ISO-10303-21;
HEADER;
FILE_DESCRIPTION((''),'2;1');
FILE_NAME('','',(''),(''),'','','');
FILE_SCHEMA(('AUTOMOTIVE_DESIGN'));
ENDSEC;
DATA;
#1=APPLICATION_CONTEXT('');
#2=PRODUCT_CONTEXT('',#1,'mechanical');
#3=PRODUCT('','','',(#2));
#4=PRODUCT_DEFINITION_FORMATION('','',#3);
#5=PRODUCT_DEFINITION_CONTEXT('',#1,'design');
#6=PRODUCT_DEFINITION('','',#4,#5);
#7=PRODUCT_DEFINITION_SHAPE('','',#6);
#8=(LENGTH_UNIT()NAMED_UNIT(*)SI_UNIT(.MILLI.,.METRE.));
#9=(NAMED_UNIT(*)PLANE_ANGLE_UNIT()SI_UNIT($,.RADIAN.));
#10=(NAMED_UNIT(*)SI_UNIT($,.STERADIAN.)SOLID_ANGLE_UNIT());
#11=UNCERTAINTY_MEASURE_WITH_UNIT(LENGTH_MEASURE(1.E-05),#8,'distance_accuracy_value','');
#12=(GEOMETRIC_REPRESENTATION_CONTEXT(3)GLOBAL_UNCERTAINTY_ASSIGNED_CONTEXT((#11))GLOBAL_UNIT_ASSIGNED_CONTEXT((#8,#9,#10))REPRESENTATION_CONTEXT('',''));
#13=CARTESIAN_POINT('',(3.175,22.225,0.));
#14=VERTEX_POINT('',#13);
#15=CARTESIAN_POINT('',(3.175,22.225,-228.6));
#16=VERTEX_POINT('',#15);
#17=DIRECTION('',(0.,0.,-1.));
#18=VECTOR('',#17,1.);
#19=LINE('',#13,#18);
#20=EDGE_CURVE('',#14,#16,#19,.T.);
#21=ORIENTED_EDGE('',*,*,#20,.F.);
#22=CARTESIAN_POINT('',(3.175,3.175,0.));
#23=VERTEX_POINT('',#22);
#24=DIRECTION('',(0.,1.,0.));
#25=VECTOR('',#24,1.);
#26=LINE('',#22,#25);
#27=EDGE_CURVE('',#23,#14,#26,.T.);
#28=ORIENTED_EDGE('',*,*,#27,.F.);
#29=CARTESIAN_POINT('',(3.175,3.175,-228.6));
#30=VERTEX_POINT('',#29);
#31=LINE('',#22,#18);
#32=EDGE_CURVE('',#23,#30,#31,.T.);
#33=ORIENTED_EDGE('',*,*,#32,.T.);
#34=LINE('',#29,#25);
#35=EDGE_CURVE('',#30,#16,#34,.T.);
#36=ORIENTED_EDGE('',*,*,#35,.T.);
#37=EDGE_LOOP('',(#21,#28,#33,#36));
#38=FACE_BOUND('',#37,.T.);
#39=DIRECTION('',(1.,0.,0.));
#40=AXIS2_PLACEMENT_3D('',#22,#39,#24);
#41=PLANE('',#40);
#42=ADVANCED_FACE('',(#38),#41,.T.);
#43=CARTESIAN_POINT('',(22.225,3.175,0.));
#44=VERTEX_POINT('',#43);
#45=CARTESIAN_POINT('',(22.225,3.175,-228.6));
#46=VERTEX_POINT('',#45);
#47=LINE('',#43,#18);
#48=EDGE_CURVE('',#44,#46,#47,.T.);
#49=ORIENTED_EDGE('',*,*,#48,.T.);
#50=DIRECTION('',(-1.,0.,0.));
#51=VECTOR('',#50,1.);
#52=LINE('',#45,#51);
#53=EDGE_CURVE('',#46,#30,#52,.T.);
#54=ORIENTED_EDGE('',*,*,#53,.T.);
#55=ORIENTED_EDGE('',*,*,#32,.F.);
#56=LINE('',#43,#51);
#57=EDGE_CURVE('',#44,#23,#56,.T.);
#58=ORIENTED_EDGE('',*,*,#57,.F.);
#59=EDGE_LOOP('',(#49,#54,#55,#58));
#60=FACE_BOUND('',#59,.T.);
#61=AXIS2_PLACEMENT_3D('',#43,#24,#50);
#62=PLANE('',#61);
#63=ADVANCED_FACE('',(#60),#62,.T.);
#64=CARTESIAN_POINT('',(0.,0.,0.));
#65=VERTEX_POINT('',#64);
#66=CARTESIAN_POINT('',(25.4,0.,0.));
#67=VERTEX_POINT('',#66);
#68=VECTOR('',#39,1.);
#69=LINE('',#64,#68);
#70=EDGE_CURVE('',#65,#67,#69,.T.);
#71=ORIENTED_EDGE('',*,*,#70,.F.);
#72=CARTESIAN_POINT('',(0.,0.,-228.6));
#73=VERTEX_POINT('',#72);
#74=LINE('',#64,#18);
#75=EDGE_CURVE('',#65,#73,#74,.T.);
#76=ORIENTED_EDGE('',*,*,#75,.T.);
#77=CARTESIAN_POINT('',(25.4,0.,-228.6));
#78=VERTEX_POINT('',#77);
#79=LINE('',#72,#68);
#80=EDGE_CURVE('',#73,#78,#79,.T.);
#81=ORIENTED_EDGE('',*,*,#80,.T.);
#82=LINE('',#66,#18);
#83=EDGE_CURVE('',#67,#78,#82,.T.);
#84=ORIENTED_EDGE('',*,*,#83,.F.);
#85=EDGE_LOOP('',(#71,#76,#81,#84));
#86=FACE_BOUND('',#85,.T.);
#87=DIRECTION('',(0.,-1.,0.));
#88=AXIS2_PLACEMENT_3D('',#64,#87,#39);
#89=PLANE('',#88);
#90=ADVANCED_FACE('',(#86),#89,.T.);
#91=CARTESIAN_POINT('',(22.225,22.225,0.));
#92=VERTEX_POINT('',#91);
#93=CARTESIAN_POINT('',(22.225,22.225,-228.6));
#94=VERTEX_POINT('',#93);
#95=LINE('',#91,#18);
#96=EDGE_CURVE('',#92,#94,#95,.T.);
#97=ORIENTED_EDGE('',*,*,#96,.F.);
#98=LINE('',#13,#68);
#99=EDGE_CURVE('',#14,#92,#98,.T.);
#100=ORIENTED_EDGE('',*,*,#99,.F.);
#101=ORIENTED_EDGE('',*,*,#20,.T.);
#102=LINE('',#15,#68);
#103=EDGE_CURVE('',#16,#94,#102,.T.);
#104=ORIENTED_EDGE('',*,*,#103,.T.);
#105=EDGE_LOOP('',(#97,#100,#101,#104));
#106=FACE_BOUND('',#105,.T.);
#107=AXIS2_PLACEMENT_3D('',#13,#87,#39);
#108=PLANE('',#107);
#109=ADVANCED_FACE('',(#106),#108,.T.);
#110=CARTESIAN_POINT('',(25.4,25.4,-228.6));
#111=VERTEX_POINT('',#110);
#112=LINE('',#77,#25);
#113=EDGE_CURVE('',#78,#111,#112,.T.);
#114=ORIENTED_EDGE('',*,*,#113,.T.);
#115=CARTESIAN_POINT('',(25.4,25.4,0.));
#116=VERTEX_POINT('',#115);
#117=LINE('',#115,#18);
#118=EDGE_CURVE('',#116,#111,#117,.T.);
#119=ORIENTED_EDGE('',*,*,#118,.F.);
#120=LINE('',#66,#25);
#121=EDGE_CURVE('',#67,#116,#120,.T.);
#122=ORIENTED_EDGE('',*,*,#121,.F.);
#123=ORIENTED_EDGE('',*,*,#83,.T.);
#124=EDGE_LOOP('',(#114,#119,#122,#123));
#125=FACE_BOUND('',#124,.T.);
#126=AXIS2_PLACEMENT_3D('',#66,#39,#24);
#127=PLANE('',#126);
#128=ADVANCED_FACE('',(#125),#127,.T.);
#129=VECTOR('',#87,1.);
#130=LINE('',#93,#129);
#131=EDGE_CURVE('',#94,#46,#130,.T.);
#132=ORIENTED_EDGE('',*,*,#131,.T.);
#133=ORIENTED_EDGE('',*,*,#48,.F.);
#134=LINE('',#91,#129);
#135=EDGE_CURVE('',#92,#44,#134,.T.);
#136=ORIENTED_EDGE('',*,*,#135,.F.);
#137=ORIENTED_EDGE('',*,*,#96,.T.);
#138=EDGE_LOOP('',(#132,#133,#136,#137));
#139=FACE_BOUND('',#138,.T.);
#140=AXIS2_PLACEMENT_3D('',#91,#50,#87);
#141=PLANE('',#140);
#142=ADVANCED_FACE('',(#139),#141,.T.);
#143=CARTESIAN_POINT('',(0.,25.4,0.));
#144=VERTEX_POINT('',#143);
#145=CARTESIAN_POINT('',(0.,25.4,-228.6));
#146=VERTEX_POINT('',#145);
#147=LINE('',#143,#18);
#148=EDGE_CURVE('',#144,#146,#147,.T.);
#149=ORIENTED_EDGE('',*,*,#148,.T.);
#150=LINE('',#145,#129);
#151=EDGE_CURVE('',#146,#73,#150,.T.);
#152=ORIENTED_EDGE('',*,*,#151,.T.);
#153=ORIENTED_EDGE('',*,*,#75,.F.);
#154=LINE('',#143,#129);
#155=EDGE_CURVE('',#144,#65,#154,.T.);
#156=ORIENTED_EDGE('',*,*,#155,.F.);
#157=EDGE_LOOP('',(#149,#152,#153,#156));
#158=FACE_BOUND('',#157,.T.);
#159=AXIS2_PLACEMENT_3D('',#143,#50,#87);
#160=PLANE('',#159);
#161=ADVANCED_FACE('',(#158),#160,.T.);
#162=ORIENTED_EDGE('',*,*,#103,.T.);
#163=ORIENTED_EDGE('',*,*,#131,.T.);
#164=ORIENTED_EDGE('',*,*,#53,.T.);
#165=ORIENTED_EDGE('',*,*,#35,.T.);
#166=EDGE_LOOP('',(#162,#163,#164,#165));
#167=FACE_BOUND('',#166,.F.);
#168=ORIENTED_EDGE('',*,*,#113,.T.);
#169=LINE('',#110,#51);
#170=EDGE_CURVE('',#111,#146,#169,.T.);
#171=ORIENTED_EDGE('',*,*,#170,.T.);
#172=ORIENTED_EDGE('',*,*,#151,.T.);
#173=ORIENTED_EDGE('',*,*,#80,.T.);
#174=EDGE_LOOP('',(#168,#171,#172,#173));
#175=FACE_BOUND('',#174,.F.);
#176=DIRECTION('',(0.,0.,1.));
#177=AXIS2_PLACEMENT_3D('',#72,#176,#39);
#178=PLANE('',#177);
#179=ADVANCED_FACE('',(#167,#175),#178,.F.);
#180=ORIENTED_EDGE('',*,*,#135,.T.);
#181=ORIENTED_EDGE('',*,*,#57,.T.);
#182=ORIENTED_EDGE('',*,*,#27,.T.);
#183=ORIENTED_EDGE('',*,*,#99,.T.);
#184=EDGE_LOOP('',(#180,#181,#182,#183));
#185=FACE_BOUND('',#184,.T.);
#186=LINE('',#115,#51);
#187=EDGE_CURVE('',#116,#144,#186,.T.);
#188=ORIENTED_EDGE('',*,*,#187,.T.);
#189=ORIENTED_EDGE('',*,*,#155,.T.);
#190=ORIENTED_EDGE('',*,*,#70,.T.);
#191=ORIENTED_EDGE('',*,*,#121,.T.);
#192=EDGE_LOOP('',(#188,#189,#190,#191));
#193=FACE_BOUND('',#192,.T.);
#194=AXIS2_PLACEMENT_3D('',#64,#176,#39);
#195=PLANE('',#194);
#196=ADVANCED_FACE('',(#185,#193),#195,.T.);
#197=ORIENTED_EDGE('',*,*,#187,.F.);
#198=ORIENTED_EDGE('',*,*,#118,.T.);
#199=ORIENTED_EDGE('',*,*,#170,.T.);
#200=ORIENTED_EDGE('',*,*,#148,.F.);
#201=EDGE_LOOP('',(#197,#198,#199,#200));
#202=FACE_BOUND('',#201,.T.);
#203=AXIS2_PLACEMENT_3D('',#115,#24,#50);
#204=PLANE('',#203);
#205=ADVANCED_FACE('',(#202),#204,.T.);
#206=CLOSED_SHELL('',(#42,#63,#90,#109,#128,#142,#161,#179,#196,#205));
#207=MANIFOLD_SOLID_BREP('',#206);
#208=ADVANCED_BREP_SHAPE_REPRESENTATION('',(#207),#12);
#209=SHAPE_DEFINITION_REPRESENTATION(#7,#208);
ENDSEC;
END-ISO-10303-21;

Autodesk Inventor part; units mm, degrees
ref_plane "YZ Plane" through (0, 0, 0) normal (1, 0, 0) x (0, 1, 0)
ref_plane "XZ Plane" through (0, 0, 0) normal (0, 1, 0) x (-1, 0, 0)
ref_plane "XY Plane" through (0, 0, 0) normal (0, 0, 1) x (1, 0, 0)
sketch "Sketch1" plane through (0, 0, 0) normal (0, 0, 1) x (1, 0, 0)
  line L0 (0, 0) -> (25.4, 0)
  line L1 (25.4, 0) -> (25.4, 25.4)
  line L2 (25.4, 25.4) -> (0, 25.4)
  line L3 (0, 25.4) -> (0, 0)
  line L4 (3.175, 22.225) -> (22.225, 22.225)
  line L5 (22.225, 22.225) -> (22.225, 3.175)
  line L6 (22.225, 3.175) -> (3.175, 3.175)
  line L7 (3.175, 3.175) -> (3.175, 22.225)
  dimension "d0" = 25.4
  dimension "d1" = 25.4
  dimension "d2" = 3.175
extrude "Extrusion1" add sketch "Sketch1" against normal blind 228.6
properties part number "towerbracebackwards"
